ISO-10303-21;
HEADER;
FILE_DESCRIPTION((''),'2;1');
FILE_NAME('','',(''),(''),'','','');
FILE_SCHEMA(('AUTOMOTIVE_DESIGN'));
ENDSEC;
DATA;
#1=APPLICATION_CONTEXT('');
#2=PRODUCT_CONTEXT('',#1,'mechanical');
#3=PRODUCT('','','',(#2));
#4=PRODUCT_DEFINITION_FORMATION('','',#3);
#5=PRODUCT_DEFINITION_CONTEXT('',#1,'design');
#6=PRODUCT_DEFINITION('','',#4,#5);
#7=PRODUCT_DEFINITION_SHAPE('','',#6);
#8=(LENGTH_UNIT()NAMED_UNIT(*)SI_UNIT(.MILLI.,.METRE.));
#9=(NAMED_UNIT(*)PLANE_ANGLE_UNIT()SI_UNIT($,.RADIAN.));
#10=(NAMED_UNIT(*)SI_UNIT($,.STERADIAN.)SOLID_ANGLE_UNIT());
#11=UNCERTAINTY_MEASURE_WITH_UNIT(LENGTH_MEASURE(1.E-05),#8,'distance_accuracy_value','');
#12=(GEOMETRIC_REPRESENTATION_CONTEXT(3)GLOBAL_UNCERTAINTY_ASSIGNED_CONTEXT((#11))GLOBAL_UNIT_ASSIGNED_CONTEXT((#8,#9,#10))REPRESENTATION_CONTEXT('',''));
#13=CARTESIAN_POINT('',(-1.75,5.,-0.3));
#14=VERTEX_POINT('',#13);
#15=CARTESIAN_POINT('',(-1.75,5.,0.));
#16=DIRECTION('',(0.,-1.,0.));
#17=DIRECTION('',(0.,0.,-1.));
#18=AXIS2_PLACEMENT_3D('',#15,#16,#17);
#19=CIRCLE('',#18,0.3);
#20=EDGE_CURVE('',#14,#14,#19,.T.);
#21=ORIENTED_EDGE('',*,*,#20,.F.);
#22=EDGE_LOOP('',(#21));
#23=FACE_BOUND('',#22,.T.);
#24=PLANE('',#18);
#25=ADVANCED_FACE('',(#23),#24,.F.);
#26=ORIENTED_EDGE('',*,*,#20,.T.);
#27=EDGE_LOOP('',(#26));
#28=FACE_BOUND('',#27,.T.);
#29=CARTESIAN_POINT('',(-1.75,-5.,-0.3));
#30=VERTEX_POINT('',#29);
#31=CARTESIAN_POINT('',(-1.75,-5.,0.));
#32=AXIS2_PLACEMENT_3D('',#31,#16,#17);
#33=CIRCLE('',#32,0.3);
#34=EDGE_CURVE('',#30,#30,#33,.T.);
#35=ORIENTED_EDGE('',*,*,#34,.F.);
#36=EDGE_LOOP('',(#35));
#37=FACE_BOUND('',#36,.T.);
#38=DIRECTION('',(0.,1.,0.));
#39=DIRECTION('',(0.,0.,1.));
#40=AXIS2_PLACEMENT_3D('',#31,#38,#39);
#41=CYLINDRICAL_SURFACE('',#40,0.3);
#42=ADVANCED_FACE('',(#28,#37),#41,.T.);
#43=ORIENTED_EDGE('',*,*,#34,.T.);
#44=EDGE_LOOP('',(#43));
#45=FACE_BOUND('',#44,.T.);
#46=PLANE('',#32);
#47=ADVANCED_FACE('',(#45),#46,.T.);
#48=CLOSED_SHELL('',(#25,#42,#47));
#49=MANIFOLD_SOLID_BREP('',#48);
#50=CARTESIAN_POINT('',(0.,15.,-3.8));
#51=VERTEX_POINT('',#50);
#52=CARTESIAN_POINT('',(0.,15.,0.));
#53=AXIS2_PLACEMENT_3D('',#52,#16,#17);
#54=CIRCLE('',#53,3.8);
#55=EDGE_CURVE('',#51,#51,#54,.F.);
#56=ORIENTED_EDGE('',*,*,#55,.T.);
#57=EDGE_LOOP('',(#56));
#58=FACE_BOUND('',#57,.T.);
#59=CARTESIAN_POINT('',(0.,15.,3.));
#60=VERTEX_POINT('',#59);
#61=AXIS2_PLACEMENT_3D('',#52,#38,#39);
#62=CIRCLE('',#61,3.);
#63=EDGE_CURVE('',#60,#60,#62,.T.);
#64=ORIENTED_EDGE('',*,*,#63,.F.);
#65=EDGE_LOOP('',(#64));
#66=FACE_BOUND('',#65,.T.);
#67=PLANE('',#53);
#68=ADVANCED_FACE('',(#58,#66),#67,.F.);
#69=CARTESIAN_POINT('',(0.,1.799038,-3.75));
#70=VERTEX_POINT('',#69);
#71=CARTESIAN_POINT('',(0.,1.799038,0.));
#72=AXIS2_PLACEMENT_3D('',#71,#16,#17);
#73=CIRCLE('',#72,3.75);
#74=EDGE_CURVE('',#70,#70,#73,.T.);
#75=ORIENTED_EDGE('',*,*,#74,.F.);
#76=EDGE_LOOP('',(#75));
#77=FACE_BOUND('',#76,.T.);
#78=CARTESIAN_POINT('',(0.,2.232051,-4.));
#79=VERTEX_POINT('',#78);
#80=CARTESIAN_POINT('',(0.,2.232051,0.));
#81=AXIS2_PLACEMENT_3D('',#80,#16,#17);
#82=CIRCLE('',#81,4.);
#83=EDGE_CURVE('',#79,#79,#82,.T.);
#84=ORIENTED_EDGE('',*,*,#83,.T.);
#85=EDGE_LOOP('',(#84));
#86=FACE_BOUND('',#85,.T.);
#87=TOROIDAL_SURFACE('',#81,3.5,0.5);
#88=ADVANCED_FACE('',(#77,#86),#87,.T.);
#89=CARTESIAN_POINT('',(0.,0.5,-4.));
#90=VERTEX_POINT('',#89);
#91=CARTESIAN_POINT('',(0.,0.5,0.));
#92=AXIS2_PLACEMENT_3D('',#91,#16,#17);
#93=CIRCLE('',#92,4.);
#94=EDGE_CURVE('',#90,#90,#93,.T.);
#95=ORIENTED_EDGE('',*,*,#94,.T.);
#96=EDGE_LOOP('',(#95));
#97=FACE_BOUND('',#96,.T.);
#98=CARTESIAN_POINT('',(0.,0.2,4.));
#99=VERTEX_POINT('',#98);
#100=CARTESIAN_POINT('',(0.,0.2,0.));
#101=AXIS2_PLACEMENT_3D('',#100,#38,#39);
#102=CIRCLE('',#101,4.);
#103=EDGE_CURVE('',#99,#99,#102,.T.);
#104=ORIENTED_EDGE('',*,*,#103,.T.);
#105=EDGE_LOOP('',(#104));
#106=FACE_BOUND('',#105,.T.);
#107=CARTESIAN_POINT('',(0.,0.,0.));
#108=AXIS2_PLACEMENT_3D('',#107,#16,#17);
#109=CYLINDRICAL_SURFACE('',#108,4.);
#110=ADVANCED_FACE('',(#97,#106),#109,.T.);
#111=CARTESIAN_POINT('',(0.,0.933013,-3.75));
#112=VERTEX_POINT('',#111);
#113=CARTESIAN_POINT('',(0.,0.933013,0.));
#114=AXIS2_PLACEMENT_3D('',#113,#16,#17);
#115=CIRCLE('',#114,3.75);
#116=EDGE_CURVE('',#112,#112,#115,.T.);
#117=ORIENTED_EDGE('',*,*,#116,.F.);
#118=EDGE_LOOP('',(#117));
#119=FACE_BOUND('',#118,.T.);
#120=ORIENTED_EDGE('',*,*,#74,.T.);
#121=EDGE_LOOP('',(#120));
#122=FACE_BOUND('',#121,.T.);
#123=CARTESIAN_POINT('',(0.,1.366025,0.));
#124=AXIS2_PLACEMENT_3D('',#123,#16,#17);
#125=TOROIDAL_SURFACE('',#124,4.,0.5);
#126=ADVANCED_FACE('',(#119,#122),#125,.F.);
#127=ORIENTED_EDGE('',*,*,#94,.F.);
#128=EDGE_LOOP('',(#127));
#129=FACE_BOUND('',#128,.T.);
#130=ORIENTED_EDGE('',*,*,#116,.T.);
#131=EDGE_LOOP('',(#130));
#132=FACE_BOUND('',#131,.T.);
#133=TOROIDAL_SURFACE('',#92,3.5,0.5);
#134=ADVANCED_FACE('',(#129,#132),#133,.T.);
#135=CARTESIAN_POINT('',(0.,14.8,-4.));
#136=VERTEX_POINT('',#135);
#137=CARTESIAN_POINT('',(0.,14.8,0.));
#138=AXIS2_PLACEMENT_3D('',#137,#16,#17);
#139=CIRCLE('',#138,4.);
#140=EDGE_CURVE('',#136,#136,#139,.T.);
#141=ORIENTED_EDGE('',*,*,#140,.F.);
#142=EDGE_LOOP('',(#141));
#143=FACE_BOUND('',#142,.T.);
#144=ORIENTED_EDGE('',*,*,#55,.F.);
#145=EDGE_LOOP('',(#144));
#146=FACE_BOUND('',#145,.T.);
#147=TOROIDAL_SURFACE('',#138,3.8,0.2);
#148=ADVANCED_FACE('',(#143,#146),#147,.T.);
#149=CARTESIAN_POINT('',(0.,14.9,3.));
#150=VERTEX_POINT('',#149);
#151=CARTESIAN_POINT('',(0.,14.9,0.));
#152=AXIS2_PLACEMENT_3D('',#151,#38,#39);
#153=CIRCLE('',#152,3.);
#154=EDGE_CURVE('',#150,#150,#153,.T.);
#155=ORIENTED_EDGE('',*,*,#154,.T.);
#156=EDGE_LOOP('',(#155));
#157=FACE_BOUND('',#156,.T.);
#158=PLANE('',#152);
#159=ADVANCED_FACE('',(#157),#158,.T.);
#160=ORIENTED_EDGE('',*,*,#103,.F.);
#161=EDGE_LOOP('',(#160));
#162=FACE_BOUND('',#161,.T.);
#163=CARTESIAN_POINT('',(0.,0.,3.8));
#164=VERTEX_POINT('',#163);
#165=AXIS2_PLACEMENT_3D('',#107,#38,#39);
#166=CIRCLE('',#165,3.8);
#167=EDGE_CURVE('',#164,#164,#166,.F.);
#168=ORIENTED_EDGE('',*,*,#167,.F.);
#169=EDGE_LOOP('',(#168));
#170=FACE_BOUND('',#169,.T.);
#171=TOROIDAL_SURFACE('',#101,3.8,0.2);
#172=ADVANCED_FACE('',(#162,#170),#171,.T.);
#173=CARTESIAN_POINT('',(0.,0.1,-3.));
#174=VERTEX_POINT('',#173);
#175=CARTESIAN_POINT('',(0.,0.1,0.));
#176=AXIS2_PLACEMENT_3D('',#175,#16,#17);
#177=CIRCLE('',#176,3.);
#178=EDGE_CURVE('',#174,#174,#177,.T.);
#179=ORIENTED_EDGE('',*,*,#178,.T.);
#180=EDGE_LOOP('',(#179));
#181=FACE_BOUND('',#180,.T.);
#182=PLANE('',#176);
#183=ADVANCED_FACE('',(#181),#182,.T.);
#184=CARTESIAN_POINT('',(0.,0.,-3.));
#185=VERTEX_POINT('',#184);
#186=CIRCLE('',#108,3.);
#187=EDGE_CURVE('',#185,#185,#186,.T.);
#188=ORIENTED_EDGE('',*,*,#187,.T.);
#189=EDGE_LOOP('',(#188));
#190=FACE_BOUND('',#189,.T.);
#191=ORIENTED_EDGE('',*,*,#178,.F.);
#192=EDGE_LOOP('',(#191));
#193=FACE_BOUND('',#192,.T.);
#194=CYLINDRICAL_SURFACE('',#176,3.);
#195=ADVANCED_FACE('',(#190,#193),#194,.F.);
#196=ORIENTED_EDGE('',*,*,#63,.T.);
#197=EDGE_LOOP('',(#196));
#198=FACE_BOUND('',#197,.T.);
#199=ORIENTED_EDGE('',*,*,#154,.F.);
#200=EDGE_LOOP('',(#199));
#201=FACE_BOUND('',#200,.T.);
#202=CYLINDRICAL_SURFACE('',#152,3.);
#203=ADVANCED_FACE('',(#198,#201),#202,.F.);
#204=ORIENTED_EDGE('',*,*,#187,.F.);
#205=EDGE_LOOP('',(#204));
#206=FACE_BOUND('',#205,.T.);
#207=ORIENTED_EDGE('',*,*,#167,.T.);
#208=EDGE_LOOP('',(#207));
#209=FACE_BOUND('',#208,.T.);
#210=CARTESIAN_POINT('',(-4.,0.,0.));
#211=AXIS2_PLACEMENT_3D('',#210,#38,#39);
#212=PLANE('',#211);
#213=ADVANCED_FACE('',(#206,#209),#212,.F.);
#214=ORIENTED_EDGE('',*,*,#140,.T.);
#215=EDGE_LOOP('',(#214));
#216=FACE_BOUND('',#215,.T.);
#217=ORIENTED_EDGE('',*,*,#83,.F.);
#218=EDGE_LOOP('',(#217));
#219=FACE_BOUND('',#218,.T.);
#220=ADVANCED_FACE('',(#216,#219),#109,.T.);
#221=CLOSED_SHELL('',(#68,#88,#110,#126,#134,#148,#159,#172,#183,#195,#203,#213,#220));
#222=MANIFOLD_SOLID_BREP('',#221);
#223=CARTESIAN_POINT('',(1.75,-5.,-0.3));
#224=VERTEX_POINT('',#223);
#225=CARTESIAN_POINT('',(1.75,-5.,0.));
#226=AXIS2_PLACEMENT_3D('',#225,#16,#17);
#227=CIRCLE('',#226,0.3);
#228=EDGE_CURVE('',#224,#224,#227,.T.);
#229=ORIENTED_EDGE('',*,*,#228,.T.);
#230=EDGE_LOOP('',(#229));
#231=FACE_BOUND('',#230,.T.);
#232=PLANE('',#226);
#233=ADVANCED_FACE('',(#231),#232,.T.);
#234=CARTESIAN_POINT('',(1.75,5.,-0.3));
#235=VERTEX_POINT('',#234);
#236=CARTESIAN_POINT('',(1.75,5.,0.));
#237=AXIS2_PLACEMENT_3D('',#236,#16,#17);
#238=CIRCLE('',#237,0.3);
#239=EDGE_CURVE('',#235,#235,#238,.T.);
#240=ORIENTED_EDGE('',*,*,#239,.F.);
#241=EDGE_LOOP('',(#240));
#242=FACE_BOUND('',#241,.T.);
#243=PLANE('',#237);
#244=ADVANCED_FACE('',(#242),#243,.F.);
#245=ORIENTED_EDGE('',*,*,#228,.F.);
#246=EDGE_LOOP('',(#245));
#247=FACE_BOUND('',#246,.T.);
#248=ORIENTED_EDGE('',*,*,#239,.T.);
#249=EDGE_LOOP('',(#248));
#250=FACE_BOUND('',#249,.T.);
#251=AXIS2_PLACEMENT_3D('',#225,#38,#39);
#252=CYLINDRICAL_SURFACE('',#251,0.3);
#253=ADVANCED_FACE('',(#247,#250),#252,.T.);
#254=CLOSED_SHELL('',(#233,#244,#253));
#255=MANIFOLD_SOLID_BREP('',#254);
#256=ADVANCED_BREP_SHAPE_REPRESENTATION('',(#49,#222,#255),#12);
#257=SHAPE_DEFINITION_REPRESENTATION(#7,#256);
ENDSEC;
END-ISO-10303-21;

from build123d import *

# Parameters (mm, degrees)
FILLET2_R             = 0.2
SKETCH3_R             = 3
CUT_EXTRUDE1_DEPTH    = 0.1
SKETCH4_R             = 3
CUT_EXTRUDE2_DEPTH    = 0.1
SKETCH2_R             = 0.3
BOSS_EXTRUDE1_DEPTH   = 5
BOSS_EXTRUDE1_2_DEPTH = 5


with BuildPart() as part:
    # Sketch1 → Revolve1 (revolve)
    with BuildSketch(Plane.XY):
        with BuildLine():
            Line((0, 0), (0, 15))
            Line((0, 15), (-4, 15))
            Line((-4, 15), (-4, 2.232050808))
            ThreePointArc((-4, 2.232050808), (-3.933012702, 1.982050808), (-3.75, 1.799038106))
            ThreePointArc((-3.75, 1.799038106), (-3.5, 1.366025404), (-3.75, 0.933012702))
            ThreePointArc((-3.75, 0.933012702), (-3.933012702, 0.75), (-4, 0.5))
            Line((-4, 0.5), (-4, 0))
            Line((-4, 0), (0, 0))
        make_face()
    revolve(axis=Axis((0, 0, 0), (0, 1, 0)))

    # Fillet2
    fillet2_edges = [part.edges().sort_by_distance(p)[0] for p in [
        (4, 0, 0),
        (4, 15, 0),
    ]]
    fillet(fillet2_edges, radius=FILLET2_R)

    # Sketch3 → Cut-Extrude1 (cut)
    with BuildSketch(Plane(origin=(0, 15, 0), x_dir=(1, 0, 0), z_dir=(0, 1, 0))):
        Circle(SKETCH3_R)
    extrude(amount=-CUT_EXTRUDE1_DEPTH, mode=Mode.SUBTRACT)

    # Sketch4 → Cut-Extrude2 (cut)
    with BuildSketch(Plane.XZ):
        Circle(SKETCH4_R)
    extrude(amount=-CUT_EXTRUDE2_DEPTH, mode=Mode.SUBTRACT)


with BuildPart() as body_2:
    # Sketch2 → Boss-Extrude1 (new body, symmetric)
    with BuildSketch(Plane.XZ):
        with Locations((-1.75, 0)):
            Circle(SKETCH2_R)
    extrude(amount=BOSS_EXTRUDE1_DEPTH, both=True)


with BuildPart() as body_3:
    # Sketch2 → Boss-Extrude1 2 (new body, symmetric)
    with BuildSketch(Plane.XZ):
        with Locations((1.75, 0)):
            Circle(SKETCH2_R)
    extrude(amount=BOSS_EXTRUDE1_2_DEPTH, both=True)


solid = Compound([part.part, body_2.part, body_3.part])
